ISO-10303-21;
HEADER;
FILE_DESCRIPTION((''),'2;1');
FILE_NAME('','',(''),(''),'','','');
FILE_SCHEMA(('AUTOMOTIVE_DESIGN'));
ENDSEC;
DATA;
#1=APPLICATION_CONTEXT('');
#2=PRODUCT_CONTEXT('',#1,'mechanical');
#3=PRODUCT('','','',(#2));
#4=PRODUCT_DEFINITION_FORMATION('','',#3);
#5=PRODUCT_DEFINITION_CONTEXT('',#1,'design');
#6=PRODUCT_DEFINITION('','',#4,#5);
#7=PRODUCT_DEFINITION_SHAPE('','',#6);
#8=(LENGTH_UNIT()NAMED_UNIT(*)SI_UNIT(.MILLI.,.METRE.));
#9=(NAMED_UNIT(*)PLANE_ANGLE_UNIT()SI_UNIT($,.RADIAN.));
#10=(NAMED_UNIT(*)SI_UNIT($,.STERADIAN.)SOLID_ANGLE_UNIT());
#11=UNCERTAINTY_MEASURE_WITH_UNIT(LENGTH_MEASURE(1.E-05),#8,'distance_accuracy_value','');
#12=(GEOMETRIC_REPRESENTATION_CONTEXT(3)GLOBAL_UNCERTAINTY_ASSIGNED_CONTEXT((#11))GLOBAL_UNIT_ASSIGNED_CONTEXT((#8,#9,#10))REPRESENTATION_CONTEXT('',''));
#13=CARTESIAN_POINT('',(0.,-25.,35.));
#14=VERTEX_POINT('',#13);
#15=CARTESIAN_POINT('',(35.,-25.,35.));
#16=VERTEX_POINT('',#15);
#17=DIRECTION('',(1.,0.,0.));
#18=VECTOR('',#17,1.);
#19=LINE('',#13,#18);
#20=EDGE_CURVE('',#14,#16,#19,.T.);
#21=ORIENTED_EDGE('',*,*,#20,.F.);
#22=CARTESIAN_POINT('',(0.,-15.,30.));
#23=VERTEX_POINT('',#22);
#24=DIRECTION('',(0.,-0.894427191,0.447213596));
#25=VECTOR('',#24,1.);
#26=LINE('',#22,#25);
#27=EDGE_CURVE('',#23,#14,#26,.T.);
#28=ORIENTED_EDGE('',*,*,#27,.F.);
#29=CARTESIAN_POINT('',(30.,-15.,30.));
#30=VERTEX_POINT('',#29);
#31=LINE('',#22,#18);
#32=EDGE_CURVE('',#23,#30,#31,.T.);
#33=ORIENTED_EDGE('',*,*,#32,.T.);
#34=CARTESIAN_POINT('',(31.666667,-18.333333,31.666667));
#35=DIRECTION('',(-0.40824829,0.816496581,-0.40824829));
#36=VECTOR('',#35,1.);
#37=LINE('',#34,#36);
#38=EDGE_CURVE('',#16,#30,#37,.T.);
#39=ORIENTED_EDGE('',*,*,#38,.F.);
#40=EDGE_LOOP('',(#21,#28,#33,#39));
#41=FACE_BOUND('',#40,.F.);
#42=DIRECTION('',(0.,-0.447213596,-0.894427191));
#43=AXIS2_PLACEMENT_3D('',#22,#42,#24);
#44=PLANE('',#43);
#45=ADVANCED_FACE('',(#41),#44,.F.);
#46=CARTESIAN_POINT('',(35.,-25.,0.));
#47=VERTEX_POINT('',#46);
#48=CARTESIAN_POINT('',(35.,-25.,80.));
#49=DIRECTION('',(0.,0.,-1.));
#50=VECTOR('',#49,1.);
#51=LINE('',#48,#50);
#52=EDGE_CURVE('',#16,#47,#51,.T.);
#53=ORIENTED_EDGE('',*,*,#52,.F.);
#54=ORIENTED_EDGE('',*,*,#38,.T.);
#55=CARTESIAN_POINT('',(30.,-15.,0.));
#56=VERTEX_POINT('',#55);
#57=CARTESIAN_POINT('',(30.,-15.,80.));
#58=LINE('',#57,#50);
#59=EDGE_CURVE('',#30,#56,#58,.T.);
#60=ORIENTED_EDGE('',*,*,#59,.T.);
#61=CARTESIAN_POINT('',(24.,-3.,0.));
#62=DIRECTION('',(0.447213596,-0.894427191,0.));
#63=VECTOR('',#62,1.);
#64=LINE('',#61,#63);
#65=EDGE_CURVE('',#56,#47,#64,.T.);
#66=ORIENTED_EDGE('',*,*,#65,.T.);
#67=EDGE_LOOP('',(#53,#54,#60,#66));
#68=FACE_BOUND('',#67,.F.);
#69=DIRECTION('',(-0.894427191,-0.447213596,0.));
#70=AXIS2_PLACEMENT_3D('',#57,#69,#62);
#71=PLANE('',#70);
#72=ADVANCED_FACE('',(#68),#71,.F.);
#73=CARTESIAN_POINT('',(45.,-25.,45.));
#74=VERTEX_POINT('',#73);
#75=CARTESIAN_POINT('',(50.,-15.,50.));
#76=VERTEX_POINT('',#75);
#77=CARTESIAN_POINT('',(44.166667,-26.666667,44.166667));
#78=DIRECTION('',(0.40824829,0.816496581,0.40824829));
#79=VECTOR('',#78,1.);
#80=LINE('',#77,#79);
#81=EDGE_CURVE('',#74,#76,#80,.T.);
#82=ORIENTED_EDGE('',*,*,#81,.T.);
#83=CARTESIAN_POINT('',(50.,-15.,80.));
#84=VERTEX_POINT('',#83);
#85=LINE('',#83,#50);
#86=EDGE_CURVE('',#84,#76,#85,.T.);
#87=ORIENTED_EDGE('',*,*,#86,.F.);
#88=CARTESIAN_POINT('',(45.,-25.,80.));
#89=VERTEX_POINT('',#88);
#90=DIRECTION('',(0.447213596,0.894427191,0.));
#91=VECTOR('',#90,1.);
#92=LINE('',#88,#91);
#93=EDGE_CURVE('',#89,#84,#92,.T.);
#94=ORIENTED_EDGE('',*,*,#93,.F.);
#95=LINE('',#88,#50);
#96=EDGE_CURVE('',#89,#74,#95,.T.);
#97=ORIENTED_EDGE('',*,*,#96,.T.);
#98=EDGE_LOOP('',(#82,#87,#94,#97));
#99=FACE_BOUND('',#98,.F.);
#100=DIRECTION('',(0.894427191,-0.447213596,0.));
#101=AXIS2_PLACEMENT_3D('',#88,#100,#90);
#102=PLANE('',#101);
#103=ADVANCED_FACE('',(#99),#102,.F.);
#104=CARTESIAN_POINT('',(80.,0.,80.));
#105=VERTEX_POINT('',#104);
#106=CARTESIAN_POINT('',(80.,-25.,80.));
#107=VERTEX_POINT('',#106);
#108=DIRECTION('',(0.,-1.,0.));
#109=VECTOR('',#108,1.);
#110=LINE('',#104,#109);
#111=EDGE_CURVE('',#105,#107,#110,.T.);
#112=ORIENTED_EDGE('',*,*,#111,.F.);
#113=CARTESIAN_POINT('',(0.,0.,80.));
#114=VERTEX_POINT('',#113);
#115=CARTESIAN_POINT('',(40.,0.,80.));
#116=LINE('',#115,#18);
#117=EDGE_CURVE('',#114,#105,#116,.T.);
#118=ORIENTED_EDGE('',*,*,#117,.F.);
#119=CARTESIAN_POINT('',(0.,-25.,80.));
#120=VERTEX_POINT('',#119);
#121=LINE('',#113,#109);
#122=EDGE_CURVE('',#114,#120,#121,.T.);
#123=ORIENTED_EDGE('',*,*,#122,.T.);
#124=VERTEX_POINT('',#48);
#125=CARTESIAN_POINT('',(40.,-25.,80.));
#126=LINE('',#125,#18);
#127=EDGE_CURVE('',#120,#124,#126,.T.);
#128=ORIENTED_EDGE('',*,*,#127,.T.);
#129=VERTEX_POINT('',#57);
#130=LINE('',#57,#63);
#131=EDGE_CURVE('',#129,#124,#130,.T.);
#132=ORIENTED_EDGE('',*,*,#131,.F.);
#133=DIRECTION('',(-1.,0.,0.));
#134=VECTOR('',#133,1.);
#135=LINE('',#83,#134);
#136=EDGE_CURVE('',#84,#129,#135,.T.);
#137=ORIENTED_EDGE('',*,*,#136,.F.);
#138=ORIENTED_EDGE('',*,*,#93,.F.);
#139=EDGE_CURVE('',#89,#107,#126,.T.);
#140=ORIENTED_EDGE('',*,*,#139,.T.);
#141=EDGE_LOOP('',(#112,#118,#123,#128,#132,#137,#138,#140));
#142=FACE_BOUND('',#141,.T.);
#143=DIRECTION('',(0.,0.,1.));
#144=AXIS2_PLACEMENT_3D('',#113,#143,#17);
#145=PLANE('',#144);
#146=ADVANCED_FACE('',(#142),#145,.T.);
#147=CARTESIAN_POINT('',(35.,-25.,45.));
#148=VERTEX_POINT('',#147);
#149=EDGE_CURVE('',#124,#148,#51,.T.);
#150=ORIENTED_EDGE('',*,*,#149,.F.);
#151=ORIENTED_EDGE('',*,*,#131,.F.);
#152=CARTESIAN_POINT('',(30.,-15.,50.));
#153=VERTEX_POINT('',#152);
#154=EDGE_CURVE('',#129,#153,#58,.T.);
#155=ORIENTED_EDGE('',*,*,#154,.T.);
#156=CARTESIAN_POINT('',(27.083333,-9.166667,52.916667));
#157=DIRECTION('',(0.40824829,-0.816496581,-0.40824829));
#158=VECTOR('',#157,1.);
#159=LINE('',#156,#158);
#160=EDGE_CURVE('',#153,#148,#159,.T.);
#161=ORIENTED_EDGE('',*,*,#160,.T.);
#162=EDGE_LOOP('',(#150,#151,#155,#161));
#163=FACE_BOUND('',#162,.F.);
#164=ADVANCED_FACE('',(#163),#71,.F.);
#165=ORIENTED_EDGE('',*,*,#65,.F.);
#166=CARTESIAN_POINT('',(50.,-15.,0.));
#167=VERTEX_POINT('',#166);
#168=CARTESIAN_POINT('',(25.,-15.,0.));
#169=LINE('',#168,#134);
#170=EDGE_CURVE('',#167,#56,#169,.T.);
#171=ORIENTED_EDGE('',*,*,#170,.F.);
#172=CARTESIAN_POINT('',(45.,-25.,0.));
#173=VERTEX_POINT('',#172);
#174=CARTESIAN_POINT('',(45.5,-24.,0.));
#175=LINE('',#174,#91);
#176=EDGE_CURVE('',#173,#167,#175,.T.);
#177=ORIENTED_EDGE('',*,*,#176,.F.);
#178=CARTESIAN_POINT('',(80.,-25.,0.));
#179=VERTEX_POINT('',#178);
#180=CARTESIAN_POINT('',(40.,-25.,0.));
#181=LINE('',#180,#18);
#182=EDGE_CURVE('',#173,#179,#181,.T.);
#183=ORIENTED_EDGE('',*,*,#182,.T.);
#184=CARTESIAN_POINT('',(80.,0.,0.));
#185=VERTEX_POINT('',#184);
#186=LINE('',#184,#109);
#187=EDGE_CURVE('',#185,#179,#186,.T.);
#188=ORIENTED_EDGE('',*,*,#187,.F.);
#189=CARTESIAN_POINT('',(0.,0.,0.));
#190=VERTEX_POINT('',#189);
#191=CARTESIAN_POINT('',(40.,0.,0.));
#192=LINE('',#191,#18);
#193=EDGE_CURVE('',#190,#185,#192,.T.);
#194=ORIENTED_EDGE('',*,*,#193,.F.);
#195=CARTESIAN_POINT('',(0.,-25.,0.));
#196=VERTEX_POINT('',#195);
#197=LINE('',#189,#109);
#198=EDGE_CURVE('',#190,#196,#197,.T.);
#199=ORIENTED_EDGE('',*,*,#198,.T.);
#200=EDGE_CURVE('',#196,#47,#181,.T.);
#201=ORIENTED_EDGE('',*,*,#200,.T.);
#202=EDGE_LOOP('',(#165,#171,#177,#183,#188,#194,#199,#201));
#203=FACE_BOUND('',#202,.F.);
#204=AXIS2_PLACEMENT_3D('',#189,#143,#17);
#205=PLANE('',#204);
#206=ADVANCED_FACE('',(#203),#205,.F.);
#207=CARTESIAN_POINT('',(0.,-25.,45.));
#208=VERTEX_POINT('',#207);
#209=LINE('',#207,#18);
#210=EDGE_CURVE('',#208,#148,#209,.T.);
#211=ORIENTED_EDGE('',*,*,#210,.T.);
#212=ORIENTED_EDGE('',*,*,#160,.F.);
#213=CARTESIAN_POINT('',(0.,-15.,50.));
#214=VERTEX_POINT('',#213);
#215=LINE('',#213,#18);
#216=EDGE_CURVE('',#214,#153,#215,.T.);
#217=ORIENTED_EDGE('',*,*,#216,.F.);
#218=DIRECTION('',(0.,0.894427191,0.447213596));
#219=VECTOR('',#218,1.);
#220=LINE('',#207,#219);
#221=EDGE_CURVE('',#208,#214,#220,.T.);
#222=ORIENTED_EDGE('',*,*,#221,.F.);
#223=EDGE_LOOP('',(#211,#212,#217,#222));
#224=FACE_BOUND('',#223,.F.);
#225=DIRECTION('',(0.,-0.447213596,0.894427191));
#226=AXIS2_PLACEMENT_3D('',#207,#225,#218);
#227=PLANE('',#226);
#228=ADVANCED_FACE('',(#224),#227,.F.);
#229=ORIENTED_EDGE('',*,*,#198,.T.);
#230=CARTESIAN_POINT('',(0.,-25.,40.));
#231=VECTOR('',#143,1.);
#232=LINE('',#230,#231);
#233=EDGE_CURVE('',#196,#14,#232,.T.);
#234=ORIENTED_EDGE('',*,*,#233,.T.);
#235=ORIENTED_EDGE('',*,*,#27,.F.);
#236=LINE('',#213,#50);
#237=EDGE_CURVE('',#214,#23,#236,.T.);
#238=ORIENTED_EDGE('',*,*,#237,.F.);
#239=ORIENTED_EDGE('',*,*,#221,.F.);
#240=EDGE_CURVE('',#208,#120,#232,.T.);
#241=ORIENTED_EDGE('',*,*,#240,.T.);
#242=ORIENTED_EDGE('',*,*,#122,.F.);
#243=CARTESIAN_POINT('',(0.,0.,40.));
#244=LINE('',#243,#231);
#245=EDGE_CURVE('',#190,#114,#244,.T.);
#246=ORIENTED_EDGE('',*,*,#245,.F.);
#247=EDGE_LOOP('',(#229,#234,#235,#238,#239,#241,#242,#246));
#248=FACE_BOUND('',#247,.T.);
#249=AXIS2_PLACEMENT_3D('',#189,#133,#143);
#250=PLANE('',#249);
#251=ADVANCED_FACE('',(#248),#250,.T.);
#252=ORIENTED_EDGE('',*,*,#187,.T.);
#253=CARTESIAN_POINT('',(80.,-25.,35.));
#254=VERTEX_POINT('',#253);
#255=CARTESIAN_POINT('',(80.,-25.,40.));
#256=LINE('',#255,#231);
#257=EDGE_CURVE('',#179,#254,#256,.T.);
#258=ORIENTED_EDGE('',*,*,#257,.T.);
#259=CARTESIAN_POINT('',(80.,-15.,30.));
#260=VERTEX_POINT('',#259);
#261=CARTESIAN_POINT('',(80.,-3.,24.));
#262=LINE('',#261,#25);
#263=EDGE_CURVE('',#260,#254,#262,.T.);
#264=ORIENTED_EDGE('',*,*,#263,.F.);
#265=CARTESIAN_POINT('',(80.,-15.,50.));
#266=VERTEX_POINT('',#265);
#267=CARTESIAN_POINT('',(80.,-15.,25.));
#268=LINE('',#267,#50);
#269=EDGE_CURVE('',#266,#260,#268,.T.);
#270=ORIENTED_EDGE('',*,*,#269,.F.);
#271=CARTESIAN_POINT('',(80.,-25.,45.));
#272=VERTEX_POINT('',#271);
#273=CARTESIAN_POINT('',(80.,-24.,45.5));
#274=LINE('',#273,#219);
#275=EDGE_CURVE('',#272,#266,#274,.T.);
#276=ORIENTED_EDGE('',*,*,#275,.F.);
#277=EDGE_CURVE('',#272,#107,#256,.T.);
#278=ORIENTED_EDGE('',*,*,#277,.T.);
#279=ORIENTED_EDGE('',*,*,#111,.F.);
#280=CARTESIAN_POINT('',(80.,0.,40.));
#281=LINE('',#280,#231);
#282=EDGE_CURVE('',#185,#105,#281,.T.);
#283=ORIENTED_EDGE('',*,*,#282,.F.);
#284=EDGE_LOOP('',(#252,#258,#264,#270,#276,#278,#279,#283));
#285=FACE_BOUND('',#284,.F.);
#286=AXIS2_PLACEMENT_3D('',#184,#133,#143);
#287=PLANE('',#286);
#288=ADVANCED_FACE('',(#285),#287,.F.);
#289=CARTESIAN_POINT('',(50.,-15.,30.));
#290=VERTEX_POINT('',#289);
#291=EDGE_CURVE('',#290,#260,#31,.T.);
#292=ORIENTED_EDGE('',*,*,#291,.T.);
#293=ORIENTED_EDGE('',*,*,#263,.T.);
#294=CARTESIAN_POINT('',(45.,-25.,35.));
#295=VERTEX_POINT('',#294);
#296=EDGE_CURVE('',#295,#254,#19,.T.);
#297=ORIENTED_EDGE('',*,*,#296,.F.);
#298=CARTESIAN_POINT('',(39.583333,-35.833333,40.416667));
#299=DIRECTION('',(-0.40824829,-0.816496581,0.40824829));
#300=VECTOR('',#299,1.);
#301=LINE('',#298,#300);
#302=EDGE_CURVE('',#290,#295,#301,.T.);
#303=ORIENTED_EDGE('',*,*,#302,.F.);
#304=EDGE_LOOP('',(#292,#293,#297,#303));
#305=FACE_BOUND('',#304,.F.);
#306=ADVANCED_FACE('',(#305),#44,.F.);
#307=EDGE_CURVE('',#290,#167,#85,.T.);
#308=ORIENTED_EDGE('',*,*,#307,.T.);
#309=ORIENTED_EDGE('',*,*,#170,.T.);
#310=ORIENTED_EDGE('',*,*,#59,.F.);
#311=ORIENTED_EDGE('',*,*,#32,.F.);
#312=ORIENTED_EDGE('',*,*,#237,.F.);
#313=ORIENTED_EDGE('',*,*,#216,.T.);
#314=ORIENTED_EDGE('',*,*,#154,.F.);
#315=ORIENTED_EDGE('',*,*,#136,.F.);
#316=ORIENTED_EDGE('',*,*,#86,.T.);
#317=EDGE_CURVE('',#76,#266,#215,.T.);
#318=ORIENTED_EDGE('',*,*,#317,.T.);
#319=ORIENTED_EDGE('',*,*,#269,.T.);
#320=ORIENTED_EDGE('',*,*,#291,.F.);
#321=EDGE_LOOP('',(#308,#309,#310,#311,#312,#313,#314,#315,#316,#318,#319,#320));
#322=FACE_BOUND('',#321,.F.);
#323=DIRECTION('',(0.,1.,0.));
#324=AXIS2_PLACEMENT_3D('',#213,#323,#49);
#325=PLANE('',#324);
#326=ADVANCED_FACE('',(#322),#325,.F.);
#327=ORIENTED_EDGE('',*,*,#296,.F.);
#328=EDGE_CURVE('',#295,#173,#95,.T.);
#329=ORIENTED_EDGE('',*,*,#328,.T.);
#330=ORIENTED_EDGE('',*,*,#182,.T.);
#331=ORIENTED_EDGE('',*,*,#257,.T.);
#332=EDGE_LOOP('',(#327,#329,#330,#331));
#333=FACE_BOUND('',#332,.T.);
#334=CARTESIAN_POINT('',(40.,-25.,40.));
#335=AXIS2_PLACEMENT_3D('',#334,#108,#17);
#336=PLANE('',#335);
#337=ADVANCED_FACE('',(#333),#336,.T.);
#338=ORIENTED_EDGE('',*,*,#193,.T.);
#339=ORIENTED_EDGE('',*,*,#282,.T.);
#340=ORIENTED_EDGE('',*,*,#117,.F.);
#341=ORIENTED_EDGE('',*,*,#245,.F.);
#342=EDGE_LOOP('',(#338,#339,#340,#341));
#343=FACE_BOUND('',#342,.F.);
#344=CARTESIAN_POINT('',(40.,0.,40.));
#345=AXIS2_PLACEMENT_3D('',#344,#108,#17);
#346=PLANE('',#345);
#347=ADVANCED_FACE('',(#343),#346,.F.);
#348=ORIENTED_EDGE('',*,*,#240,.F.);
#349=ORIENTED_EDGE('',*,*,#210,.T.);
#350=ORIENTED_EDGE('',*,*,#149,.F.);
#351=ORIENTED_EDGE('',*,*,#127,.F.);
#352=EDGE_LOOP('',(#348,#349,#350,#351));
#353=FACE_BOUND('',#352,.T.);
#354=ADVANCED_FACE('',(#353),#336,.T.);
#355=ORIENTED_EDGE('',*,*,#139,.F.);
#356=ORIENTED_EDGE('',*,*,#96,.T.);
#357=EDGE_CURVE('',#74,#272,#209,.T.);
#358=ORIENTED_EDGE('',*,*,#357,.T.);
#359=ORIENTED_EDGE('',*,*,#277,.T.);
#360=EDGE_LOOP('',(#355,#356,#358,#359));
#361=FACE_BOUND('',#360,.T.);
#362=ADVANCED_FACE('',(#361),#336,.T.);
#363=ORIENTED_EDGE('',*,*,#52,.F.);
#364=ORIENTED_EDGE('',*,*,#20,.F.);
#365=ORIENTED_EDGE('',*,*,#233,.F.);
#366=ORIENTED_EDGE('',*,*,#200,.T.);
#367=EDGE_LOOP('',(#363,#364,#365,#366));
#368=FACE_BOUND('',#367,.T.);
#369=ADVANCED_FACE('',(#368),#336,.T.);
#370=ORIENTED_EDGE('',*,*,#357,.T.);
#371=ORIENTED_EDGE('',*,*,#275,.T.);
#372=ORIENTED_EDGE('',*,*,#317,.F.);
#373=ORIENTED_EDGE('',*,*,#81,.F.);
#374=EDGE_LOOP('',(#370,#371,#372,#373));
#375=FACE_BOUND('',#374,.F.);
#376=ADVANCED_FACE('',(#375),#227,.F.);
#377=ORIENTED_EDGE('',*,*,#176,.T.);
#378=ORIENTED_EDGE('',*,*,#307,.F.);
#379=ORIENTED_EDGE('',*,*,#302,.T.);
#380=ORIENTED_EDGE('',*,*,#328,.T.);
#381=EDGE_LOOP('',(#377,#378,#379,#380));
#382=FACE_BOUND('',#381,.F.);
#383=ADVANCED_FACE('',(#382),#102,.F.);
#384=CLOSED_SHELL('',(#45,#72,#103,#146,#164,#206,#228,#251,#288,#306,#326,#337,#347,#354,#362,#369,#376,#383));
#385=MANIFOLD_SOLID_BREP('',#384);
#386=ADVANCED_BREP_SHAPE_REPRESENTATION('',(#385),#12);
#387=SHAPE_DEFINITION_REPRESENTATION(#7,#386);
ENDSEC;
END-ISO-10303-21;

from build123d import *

# Parameters (mm, degrees)
F0_W     = 80
F0_H     = 80
F1_DEPTH = 25
F3_DEPTH = 85
F5_DEPTH = 85


with BuildPart() as f1:
    # F0 (on Front) → F1 (new body)
    with BuildSketch(Plane.XZ):
        with Locations((40, 40)):
            Rectangle(F0_W, F0_H)
    extrude(amount=F1_DEPTH)

    # F2 (on face) → F3 (cut)
    with BuildSketch(Plane(origin=(0, 0, 0), x_dir=(0, -1, 0), z_dir=(-1, 0, 0))):
        Polygon((25, 45), (15, 50), (15, 30), (25, 35), (25, 40), align=None)
    extrude(amount=-F3_DEPTH, mode=Mode.SUBTRACT)

    # F4 (on face) → F5 (cut)
    with BuildSketch(Plane.XY.offset(80)):
        Polygon((50, -15), (30, -15), (35, -25), (40, -25), (45, -25), align=None)
    extrude(amount=-F5_DEPTH, mode=Mode.SUBTRACT)


solid = f1.part
